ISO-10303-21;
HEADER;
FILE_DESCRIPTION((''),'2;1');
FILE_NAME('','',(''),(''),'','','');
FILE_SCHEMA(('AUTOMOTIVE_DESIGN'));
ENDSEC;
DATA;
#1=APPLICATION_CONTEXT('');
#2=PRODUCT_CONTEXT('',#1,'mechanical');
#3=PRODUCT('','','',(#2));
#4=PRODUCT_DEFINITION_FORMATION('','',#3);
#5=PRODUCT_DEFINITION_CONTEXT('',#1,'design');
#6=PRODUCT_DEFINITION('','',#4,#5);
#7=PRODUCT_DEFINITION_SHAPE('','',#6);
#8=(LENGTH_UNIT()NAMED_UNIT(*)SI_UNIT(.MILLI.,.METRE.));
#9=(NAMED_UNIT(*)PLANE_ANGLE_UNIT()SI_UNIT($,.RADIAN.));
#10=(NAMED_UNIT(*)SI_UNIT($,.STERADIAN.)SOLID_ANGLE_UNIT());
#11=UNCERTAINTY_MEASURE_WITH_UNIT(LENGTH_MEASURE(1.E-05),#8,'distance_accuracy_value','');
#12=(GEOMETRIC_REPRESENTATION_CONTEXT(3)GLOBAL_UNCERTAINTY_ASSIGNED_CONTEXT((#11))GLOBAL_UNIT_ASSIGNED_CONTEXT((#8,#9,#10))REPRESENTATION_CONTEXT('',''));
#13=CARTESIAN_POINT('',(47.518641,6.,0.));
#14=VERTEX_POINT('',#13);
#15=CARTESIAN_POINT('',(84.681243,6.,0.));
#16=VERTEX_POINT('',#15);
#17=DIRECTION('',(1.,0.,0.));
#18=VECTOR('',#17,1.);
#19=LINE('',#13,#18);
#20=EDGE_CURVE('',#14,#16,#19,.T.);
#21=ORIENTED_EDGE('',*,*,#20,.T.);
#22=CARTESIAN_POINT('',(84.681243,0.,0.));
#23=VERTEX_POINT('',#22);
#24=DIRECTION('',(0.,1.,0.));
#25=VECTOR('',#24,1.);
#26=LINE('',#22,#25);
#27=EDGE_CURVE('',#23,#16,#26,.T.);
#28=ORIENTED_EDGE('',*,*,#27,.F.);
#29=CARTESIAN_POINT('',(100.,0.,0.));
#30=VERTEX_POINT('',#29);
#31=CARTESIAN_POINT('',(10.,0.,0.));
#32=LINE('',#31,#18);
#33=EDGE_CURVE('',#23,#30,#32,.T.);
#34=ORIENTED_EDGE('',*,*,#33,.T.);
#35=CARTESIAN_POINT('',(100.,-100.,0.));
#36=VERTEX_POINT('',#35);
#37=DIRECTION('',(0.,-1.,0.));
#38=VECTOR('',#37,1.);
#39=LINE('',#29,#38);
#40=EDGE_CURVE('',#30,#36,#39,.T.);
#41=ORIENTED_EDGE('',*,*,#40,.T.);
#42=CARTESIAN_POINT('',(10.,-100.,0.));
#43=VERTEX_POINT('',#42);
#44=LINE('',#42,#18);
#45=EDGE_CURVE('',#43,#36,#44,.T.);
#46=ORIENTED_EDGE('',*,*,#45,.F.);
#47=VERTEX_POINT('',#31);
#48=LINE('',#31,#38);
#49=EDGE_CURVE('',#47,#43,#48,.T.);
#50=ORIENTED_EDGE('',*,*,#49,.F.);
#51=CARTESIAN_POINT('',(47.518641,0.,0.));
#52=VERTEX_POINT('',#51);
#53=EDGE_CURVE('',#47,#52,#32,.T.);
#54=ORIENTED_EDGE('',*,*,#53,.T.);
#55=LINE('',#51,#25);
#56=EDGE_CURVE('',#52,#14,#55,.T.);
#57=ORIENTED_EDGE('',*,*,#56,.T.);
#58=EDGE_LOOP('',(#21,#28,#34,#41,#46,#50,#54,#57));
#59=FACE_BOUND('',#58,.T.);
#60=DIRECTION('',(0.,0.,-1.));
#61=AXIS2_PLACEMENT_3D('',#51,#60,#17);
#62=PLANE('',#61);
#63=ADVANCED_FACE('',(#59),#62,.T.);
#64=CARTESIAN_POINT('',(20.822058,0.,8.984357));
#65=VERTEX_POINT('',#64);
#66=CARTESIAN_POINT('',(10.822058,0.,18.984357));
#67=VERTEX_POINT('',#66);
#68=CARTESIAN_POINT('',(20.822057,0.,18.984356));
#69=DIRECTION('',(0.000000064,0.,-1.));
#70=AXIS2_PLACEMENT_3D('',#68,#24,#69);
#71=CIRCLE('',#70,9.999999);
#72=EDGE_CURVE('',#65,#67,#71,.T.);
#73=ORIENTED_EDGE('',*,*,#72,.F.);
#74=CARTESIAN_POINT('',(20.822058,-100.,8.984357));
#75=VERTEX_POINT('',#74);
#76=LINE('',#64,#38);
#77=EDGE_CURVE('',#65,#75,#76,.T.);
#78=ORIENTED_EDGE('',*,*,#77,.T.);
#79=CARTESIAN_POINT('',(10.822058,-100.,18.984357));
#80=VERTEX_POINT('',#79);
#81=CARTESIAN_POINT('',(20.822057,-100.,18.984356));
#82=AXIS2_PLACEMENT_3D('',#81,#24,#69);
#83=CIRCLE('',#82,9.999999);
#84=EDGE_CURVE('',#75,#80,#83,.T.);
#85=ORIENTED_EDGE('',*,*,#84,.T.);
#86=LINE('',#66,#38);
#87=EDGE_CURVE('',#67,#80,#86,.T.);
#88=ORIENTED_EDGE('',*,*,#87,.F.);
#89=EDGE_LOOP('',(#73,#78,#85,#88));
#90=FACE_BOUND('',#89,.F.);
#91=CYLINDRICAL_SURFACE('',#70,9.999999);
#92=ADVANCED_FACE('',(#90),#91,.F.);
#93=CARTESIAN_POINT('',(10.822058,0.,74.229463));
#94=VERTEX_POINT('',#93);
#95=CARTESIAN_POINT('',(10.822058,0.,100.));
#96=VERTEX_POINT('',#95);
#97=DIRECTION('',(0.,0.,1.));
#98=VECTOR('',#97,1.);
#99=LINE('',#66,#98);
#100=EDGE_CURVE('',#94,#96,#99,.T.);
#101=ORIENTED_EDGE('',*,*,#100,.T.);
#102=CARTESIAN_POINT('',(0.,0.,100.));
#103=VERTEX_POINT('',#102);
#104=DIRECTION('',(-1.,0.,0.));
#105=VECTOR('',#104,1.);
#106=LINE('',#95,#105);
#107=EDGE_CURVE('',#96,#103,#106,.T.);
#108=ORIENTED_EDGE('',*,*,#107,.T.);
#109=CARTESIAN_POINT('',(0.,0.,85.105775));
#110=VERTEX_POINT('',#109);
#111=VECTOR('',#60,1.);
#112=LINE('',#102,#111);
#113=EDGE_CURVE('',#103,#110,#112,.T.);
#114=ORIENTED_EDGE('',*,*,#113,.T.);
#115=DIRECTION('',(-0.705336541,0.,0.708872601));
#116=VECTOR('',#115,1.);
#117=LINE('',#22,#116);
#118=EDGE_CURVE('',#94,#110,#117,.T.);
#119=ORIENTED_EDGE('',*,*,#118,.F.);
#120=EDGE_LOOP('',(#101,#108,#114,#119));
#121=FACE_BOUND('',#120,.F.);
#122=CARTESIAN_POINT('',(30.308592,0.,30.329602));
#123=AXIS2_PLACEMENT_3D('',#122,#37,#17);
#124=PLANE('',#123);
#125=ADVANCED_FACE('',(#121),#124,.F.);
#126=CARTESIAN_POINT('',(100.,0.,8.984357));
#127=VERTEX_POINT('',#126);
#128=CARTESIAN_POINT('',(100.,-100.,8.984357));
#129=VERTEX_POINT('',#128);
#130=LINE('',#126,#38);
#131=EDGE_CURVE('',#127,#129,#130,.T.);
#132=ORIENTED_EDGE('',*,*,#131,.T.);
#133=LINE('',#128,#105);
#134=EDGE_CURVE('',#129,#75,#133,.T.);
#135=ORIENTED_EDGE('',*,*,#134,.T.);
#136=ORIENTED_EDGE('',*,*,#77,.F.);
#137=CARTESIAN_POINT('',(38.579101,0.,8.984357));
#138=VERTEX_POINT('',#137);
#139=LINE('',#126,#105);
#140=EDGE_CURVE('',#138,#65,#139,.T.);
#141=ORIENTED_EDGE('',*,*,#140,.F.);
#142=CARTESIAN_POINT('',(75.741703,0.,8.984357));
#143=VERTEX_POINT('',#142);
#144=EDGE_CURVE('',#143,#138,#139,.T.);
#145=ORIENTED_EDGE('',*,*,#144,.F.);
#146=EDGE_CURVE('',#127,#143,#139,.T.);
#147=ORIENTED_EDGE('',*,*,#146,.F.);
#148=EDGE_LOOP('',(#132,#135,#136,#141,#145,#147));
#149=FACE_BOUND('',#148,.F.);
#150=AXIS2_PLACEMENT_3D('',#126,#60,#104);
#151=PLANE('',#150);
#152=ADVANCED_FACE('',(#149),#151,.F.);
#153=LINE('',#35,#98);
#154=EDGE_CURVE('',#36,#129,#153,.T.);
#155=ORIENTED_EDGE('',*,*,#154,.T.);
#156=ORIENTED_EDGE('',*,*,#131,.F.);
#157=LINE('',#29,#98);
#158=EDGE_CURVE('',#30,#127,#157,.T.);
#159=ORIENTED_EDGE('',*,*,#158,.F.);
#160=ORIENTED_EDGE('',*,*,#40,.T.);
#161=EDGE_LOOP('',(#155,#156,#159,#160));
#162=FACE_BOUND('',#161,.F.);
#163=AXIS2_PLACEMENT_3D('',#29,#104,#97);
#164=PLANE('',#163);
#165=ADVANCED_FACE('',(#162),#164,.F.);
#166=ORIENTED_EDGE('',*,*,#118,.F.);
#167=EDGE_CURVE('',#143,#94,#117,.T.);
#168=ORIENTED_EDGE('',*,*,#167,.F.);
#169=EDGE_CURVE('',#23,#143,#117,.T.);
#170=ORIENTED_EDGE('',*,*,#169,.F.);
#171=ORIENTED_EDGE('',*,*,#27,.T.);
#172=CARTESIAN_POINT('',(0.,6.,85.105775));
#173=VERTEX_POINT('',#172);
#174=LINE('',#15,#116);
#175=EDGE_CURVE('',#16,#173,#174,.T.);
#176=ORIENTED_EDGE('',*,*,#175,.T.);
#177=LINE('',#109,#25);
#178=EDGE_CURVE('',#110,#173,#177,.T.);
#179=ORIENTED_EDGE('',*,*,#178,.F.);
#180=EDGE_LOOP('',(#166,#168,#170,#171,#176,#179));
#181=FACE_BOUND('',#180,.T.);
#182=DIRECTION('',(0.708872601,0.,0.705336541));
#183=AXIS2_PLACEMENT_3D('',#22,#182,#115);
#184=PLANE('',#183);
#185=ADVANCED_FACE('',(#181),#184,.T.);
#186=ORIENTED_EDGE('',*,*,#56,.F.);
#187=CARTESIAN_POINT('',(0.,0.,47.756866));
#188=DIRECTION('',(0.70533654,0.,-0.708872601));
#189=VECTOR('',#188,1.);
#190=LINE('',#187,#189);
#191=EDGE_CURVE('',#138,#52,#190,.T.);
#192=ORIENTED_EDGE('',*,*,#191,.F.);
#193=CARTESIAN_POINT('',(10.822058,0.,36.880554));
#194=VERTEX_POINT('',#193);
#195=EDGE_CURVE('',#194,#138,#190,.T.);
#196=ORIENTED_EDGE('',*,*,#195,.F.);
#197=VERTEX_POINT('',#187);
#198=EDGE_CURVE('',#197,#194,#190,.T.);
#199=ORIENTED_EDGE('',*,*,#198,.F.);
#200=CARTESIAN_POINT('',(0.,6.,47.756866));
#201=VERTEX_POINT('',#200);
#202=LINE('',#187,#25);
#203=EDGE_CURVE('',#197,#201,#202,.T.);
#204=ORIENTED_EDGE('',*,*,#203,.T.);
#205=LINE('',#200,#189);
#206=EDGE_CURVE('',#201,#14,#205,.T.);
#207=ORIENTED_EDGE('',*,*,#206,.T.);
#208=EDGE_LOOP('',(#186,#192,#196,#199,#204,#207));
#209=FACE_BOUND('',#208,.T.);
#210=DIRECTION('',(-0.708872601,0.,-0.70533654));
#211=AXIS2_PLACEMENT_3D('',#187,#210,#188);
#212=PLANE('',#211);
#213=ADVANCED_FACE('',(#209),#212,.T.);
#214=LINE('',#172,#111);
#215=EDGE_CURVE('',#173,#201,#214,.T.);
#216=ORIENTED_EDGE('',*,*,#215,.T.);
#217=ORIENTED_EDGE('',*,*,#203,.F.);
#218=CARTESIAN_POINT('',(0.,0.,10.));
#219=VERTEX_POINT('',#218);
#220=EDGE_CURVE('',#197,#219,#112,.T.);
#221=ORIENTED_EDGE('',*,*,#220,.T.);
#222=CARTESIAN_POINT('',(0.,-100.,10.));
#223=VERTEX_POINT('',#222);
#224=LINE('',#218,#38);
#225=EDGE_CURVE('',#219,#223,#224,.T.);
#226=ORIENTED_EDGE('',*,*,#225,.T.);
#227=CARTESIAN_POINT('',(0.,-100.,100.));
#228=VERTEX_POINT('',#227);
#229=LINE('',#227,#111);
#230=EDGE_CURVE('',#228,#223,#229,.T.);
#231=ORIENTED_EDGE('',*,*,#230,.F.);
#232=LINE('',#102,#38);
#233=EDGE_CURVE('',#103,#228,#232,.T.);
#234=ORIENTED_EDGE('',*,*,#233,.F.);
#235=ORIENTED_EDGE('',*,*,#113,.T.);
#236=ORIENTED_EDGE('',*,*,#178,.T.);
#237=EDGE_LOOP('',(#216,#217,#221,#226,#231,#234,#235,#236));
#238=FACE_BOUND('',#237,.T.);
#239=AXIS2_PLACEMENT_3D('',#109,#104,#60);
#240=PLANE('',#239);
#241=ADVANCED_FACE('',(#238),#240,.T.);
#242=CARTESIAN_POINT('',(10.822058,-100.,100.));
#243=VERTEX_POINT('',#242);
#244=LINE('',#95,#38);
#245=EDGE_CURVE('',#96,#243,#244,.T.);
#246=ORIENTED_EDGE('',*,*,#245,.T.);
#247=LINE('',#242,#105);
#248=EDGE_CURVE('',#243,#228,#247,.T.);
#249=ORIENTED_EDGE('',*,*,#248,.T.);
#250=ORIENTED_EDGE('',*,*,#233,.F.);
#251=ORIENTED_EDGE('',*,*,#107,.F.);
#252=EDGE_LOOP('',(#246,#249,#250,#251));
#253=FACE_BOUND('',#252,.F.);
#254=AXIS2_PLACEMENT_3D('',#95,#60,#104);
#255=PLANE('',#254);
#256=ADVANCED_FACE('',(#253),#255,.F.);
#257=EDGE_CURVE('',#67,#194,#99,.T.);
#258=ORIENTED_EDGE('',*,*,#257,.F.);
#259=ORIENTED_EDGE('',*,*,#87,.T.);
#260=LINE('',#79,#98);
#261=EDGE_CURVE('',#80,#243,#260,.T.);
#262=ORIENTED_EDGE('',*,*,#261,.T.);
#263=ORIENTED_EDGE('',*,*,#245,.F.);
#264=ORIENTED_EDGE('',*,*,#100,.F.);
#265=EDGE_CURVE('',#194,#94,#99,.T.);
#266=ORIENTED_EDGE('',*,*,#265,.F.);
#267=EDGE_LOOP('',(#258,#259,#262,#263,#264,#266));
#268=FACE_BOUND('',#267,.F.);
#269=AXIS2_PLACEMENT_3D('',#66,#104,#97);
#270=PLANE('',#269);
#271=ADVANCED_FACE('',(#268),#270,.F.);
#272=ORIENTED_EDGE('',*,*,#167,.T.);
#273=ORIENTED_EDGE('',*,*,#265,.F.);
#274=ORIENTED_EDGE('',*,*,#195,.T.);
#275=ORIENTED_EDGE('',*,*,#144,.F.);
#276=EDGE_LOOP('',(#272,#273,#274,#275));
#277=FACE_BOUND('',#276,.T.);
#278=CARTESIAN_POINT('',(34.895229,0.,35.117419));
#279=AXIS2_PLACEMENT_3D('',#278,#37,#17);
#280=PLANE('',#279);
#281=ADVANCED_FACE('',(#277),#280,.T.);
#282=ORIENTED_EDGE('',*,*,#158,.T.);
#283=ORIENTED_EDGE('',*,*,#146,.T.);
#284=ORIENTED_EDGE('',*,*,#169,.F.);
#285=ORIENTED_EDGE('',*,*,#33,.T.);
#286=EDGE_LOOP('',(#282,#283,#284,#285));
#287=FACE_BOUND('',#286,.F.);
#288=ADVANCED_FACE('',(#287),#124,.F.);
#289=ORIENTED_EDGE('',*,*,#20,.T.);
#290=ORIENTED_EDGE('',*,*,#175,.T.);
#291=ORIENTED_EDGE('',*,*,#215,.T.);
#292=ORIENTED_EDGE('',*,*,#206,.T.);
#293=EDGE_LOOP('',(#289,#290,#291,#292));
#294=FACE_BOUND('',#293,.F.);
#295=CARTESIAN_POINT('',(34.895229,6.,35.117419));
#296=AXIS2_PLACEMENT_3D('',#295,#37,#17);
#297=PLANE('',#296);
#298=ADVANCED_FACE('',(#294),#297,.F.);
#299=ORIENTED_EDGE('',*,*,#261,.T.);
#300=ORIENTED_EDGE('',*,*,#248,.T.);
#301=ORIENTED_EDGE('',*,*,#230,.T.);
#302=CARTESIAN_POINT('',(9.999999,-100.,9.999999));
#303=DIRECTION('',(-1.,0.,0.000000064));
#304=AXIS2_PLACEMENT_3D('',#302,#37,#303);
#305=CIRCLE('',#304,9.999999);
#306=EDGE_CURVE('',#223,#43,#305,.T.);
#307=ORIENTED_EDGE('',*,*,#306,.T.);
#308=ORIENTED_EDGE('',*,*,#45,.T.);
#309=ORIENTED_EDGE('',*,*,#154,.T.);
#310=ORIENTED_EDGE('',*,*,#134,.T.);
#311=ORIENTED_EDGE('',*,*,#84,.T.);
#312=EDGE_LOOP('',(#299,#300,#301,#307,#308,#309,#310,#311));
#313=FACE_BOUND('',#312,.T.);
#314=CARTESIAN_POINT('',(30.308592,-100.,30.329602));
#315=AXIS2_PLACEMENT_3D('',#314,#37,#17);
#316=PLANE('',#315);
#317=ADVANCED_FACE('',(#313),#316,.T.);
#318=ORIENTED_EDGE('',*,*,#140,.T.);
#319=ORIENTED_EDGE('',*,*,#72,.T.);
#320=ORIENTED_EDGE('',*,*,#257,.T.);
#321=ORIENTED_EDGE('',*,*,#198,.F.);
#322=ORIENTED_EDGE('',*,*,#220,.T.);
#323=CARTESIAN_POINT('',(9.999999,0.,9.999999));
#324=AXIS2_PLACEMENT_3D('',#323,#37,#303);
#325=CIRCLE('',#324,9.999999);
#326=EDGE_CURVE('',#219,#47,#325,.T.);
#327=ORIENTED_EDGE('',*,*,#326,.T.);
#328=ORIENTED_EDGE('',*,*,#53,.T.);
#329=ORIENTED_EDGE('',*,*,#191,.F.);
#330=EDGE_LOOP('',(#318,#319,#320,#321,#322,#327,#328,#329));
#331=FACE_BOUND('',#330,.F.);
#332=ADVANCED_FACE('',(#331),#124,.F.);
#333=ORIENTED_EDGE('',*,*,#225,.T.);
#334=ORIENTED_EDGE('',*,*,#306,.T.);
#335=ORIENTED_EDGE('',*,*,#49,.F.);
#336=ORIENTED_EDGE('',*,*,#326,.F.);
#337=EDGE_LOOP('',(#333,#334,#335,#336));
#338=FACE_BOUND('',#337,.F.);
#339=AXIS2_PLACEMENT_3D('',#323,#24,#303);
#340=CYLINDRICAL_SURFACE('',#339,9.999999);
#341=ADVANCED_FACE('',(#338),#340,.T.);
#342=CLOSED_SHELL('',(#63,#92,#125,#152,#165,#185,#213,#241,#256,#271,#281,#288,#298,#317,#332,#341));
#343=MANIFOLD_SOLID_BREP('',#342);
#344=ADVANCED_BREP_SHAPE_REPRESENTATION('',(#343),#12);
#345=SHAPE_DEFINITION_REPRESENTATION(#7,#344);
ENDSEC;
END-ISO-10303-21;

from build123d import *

# Parameters (mm, degrees)
F1_DEPTH = 100
F3_DEPTH = 6


with BuildPart() as f1:
    # F0 (on Front) → F1 (new body)
    with BuildSketch(Plane.XZ):
        with BuildLine():
            Line((10.822058, 100), (0, 100))
            Line((0, 100), (0, 10))
            ThreePointArc((0, 10), (2.928932, 2.928932), (10, 0))
            Line((10, 0), (100, 0))
            Line((100, 0), (100, 8.984357))
            Line((100, 8.984357), (20.822058, 8.984357))
            ThreePointArc((20.822058, 8.984357), (13.75099, 11.913289), (10.822058, 18.984357))
            Line((10.822058, 18.984357), (10.822058, 100))
        make_face()
    extrude(amount=F1_DEPTH)

    # F2 (on Front) → F3 (join)
    with BuildSketch(Plane.XZ):
        Polygon((47.518641, 0), (84.681243, 0), (0, 85.105775), (0, 47.756866), align=None)
    extrude(amount=-F3_DEPTH)


solid = f1.part
